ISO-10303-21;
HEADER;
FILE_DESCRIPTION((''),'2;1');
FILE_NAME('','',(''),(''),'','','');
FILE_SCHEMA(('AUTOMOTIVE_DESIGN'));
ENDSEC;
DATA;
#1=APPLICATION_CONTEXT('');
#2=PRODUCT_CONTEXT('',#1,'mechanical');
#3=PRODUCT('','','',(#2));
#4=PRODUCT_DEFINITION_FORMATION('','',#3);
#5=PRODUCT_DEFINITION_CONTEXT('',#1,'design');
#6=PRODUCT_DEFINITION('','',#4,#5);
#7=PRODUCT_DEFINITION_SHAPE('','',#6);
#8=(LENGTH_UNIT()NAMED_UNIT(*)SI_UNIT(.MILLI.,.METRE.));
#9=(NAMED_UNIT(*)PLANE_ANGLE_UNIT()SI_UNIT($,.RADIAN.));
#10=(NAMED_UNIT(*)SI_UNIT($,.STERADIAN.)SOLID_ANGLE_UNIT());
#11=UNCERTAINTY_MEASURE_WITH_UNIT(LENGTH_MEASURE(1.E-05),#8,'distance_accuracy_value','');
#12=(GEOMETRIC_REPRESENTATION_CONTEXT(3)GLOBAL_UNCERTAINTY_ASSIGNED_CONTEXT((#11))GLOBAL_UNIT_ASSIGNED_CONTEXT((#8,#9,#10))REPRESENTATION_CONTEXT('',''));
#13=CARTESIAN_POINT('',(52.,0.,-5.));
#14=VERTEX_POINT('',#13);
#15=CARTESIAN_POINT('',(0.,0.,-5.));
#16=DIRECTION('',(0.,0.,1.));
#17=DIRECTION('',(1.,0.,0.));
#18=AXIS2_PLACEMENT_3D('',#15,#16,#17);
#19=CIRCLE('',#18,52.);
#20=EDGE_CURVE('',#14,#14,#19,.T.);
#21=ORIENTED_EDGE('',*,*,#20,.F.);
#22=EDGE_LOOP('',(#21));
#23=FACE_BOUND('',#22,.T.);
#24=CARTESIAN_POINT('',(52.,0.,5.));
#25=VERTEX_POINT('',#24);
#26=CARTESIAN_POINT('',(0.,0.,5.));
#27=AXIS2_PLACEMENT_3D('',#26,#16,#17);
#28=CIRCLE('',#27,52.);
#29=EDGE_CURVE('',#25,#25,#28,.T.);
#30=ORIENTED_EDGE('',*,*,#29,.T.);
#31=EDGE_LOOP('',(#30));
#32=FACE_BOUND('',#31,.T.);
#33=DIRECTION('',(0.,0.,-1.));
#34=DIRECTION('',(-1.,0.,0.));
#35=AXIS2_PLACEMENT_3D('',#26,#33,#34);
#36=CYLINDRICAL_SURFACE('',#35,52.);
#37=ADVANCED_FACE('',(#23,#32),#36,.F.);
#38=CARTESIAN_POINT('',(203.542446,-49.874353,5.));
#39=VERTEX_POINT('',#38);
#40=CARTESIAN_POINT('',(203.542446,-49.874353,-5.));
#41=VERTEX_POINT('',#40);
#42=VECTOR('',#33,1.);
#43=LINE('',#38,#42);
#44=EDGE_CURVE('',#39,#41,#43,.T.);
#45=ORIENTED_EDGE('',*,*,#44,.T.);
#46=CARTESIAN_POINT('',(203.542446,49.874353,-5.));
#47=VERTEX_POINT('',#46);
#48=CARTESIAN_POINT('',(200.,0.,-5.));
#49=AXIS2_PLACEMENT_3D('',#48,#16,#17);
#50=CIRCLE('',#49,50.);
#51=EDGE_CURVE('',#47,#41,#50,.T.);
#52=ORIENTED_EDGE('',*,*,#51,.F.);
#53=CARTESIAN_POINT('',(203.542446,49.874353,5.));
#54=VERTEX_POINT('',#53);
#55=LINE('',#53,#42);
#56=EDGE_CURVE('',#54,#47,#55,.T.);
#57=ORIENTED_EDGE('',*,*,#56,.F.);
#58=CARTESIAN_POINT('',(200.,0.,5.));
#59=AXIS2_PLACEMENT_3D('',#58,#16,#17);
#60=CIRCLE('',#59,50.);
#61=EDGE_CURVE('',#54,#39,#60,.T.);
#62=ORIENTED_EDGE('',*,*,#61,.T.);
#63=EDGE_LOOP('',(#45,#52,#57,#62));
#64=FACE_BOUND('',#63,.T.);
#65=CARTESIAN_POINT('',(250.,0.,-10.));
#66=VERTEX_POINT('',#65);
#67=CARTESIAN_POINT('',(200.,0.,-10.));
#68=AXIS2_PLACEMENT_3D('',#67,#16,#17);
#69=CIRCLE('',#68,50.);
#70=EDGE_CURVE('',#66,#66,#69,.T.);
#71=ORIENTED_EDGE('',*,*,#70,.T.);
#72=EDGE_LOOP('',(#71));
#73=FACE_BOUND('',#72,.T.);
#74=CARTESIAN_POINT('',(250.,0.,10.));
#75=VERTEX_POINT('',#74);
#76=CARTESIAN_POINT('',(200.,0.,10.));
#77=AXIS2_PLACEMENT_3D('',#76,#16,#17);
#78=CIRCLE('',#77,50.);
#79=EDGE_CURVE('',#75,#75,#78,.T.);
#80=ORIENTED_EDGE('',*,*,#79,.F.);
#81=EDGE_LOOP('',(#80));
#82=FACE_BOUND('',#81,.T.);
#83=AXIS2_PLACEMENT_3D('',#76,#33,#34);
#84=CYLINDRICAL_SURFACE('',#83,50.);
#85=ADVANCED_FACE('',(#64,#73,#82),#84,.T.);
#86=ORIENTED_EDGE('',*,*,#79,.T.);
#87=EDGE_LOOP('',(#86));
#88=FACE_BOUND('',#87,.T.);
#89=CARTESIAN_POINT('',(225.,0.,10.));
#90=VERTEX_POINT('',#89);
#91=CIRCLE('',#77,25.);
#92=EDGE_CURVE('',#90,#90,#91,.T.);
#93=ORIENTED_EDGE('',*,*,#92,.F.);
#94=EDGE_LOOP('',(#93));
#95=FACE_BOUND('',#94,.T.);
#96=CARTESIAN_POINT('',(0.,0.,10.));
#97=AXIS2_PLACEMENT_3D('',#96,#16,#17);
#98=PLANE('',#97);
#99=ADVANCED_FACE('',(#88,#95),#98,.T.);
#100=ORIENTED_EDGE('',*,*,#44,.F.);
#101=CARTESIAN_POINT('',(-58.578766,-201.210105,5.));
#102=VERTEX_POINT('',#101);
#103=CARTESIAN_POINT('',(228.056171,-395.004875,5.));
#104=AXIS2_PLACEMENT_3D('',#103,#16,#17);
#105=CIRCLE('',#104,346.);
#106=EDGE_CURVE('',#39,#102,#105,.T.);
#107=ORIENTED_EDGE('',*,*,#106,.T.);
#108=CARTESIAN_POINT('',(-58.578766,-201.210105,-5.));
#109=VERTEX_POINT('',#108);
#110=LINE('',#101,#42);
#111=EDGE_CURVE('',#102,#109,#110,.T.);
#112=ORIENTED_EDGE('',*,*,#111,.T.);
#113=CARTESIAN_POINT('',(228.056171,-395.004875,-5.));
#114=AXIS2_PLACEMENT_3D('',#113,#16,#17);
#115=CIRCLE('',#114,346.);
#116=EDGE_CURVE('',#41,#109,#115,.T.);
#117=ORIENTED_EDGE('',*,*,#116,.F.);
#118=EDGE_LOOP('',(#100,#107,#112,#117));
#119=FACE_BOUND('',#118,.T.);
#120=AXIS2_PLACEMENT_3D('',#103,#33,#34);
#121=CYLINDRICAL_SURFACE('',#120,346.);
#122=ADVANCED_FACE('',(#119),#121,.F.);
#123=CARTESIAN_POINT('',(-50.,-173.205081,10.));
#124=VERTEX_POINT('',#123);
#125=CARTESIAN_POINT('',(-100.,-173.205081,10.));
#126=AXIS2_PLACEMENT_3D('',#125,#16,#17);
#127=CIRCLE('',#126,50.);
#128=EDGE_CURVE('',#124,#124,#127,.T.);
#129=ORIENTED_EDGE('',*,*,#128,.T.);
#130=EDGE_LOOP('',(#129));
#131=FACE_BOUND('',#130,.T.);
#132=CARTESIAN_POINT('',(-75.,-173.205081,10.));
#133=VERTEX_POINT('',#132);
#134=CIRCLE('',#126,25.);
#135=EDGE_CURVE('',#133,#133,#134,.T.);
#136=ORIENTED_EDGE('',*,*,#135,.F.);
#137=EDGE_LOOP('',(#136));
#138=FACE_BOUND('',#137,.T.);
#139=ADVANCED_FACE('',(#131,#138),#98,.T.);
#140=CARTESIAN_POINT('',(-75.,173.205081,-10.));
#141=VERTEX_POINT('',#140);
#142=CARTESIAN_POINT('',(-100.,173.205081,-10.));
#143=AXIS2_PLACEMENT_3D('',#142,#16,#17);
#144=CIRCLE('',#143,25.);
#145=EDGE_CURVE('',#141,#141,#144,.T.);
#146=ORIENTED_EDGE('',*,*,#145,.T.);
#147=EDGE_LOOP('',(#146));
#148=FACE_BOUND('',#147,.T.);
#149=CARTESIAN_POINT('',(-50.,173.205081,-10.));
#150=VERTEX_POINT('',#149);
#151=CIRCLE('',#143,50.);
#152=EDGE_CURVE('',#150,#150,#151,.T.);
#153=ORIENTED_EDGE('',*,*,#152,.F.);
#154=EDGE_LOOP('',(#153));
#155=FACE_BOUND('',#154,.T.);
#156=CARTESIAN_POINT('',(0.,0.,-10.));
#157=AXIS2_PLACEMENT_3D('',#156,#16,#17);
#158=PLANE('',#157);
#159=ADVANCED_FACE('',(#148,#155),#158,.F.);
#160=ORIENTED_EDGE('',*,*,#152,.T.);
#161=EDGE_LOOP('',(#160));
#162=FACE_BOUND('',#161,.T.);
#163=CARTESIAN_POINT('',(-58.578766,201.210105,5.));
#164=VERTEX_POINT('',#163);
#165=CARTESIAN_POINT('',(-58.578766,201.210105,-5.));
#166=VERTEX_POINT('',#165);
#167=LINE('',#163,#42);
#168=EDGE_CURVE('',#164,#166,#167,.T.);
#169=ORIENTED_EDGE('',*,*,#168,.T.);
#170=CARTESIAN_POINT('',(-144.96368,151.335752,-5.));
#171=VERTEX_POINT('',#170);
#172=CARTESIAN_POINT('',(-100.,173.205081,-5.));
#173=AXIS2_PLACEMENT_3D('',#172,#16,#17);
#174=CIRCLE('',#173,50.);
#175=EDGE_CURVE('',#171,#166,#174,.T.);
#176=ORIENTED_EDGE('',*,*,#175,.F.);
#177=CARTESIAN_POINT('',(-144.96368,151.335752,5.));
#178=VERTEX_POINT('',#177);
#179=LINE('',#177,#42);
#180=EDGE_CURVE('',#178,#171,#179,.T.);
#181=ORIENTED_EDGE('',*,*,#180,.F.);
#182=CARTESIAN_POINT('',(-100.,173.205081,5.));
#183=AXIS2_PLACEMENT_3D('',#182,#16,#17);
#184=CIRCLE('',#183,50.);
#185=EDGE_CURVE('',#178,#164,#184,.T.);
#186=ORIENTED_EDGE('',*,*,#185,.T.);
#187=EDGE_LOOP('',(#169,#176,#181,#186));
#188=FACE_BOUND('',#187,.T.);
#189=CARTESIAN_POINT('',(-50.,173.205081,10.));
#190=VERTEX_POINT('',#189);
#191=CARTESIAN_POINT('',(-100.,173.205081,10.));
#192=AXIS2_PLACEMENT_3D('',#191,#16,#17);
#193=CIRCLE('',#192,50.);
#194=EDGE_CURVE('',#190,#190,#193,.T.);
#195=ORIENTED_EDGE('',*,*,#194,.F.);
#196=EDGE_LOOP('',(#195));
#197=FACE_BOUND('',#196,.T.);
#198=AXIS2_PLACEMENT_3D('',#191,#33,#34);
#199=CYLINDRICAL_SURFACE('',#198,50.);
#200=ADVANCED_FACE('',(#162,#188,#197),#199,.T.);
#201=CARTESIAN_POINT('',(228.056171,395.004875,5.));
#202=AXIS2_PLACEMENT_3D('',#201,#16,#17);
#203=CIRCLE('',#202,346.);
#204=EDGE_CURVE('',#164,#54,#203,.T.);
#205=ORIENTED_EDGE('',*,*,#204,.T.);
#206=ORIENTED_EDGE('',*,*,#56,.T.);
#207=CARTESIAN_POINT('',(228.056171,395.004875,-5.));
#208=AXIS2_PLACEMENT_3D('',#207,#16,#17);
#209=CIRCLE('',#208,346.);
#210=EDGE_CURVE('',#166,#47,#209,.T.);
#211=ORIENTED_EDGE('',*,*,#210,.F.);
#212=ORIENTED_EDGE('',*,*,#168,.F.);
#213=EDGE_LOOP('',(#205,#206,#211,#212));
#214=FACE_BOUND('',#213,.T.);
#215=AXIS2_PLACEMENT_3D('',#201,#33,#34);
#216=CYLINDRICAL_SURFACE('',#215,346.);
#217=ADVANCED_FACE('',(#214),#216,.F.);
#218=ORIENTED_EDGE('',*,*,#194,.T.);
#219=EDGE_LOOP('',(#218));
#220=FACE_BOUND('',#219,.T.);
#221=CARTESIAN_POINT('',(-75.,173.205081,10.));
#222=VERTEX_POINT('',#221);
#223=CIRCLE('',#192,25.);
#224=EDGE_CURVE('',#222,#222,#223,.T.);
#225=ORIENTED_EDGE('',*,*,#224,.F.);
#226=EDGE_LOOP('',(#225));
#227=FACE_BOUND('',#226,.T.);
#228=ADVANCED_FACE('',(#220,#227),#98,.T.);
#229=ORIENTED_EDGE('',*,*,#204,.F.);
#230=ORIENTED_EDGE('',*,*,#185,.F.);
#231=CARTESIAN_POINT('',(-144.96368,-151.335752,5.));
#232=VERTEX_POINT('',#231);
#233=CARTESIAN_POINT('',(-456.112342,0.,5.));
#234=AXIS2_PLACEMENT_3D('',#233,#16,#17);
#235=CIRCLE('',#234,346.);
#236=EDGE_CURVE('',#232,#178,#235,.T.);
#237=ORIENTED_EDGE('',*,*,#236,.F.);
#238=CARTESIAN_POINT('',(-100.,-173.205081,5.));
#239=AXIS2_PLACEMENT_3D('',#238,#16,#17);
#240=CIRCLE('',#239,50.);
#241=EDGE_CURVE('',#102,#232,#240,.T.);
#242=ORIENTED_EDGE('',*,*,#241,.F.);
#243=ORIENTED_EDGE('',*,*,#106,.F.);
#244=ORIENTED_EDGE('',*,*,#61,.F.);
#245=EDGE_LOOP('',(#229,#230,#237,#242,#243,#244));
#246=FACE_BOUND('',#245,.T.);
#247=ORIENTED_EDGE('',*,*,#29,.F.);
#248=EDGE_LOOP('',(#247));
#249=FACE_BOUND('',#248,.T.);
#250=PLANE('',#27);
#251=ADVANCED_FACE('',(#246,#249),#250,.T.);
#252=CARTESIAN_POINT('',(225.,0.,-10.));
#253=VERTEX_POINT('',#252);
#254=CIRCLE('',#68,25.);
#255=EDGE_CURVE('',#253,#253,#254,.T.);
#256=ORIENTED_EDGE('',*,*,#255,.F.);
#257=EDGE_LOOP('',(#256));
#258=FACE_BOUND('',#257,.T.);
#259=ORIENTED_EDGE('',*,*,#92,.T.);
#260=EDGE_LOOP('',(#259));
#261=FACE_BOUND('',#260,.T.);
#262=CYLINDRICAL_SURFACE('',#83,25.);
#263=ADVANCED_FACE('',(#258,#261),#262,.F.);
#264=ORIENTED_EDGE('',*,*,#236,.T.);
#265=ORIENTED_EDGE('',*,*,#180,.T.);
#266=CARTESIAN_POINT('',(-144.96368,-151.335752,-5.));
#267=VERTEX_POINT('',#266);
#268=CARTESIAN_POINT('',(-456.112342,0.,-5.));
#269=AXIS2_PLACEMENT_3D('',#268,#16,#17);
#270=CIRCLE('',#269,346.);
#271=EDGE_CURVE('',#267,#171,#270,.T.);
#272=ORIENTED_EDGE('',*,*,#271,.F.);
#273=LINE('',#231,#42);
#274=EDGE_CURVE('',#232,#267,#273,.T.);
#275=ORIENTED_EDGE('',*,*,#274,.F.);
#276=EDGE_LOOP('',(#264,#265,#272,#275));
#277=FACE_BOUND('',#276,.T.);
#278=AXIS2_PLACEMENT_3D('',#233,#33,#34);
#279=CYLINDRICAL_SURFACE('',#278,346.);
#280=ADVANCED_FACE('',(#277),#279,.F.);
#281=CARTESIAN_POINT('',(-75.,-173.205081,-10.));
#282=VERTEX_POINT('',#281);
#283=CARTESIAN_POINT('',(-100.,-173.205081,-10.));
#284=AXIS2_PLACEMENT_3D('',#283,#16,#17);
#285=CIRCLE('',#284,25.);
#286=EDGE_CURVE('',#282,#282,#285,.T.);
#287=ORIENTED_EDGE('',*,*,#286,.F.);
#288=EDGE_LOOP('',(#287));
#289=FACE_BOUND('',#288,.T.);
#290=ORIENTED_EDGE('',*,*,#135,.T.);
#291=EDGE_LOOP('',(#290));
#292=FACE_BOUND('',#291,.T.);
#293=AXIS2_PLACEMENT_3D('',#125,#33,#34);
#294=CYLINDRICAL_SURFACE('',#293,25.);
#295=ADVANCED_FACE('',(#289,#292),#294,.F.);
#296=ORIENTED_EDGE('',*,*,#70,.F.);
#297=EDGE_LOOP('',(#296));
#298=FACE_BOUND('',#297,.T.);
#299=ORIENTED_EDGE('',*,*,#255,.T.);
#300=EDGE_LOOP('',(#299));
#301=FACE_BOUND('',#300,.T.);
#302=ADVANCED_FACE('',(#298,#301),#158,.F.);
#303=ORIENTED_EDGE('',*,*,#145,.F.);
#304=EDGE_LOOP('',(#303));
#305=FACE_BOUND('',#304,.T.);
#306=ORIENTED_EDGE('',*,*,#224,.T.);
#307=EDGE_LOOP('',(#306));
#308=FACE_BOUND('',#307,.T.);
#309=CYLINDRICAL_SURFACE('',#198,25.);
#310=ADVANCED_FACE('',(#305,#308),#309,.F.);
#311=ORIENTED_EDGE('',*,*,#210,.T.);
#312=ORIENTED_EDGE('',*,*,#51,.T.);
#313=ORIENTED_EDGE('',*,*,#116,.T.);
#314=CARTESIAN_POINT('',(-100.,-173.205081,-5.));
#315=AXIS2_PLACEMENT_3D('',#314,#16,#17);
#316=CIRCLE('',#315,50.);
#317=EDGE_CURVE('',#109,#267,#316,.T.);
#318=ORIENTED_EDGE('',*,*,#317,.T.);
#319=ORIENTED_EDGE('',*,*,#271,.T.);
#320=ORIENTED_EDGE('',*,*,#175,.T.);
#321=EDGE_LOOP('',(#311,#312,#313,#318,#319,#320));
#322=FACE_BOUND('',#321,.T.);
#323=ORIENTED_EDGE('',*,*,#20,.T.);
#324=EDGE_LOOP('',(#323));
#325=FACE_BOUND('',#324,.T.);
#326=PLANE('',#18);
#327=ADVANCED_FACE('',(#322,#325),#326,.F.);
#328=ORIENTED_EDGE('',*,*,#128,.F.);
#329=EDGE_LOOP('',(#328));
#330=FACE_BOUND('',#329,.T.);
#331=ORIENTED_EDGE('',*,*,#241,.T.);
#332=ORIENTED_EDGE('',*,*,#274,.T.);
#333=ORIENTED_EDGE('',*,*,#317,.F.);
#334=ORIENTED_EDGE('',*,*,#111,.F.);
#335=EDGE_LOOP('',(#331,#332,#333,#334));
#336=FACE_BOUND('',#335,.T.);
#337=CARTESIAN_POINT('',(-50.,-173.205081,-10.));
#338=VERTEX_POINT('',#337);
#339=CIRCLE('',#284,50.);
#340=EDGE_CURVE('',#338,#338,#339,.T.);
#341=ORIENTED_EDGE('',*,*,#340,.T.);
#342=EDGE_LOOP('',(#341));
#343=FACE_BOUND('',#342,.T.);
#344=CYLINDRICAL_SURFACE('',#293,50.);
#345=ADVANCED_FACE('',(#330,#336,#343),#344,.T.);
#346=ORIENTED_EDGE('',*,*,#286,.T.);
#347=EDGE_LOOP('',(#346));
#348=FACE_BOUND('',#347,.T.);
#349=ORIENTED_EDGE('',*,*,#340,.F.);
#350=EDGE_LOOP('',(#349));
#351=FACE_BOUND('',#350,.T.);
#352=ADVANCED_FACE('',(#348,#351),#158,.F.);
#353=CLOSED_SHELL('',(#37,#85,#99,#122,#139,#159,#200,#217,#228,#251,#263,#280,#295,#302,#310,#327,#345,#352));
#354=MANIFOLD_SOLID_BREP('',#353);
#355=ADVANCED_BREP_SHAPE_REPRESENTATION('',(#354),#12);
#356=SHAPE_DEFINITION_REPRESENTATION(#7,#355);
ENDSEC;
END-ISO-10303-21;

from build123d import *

# Parameters (mm, degrees)
SKETCH1_R             = 50
SKETCH1_R_2           = 25
BOSS_EXTRUDE1_DEPTH   = 10
BOSS_EXTRUDE1_2_DEPTH = 10
BOSS_EXTRUDE1_3_DEPTH = 10
SKETCH1_3_R           = 52
BOSS_EXTRUDE2_DEPTH   = 5


with BuildPart() as part:
    # Sketch1 → Boss-Extrude1 (new, symmetric)
    with BuildSketch(Plane.XY):
        with Locations((-100, 173.205080757)):
            Circle(SKETCH1_R)
        with Locations((-100, 173.205080757)):
            Circle(SKETCH1_R_2, mode=Mode.SUBTRACT)
    extrude(amount=BOSS_EXTRUDE1_DEPTH, both=True)



with BuildPart() as body_2:
    # Sketch1 → Boss-Extrude1 2 (new, symmetric)
    with BuildSketch(Plane.XY):
        with Locations((-100, -173.205080757)):
            Circle(SKETCH1_R)
        with Locations((-100, -173.205080757)):
            Circle(SKETCH1_R_2, mode=Mode.SUBTRACT)
    extrude(amount=BOSS_EXTRUDE1_2_DEPTH, both=True)


with BuildPart() as body_3:
    # Sketch1 → Boss-Extrude1 3 (new, symmetric)
    with BuildSketch(Plane.XY):
        with Locations((200, 0)):
            Circle(SKETCH1_R)
        with Locations((200, 0)):
            Circle(SKETCH1_R_2, mode=Mode.SUBTRACT)
    extrude(amount=BOSS_EXTRUDE1_3_DEPTH, both=True)


with BuildPart() as part_1:
    add(part.part)

    add(body_2.part)  # Boss-Extrude2 merges body 2

    add(body_3.part)  # Boss-Extrude2 merges body 3
    # Sketch1<3> → Boss-Extrude2 (add, symmetric)
    with BuildSketch(Plane.XY):
        with BuildLine():
            ThreePointArc((203.542445822, -49.874352904), (150, 0), (203.542445822, 49.874352904))
            ThreePointArc((203.542445822, 49.874352904), (55.056170912, 95.360085291), (-58.578766299, 201.210105283))
            ThreePointArc((-58.578766299, 201.210105283), (-52.19277416, 187.849846288), (-50, 173.205080757))
            ThreePointArc((-50, 173.205080757), (-88.779126063, 124.480425929), (-144.963679523, 151.335752378))
            ThreePointArc((-144.963679523, 151.335752378), (-110.112341825, 0), (-144.963679523, -151.335752378))
            ThreePointArc((-144.963679523, -151.335752378), (-88.779126063, -124.480425929), (-50, -173.205080757))
            ThreePointArc((-50, -173.205080757), (-52.19277416, -187.849846288), (-58.578766299, -201.210105283))
            ThreePointArc((-58.578766299, -201.210105283), (55.056170912, -95.360085291), (203.542445822, -49.874352904))
        make_face()
        Circle(SKETCH1_3_R, mode=Mode.SUBTRACT)
    extrude(amount=BOSS_EXTRUDE2_DEPTH, both=True)


solid = part_1.part
